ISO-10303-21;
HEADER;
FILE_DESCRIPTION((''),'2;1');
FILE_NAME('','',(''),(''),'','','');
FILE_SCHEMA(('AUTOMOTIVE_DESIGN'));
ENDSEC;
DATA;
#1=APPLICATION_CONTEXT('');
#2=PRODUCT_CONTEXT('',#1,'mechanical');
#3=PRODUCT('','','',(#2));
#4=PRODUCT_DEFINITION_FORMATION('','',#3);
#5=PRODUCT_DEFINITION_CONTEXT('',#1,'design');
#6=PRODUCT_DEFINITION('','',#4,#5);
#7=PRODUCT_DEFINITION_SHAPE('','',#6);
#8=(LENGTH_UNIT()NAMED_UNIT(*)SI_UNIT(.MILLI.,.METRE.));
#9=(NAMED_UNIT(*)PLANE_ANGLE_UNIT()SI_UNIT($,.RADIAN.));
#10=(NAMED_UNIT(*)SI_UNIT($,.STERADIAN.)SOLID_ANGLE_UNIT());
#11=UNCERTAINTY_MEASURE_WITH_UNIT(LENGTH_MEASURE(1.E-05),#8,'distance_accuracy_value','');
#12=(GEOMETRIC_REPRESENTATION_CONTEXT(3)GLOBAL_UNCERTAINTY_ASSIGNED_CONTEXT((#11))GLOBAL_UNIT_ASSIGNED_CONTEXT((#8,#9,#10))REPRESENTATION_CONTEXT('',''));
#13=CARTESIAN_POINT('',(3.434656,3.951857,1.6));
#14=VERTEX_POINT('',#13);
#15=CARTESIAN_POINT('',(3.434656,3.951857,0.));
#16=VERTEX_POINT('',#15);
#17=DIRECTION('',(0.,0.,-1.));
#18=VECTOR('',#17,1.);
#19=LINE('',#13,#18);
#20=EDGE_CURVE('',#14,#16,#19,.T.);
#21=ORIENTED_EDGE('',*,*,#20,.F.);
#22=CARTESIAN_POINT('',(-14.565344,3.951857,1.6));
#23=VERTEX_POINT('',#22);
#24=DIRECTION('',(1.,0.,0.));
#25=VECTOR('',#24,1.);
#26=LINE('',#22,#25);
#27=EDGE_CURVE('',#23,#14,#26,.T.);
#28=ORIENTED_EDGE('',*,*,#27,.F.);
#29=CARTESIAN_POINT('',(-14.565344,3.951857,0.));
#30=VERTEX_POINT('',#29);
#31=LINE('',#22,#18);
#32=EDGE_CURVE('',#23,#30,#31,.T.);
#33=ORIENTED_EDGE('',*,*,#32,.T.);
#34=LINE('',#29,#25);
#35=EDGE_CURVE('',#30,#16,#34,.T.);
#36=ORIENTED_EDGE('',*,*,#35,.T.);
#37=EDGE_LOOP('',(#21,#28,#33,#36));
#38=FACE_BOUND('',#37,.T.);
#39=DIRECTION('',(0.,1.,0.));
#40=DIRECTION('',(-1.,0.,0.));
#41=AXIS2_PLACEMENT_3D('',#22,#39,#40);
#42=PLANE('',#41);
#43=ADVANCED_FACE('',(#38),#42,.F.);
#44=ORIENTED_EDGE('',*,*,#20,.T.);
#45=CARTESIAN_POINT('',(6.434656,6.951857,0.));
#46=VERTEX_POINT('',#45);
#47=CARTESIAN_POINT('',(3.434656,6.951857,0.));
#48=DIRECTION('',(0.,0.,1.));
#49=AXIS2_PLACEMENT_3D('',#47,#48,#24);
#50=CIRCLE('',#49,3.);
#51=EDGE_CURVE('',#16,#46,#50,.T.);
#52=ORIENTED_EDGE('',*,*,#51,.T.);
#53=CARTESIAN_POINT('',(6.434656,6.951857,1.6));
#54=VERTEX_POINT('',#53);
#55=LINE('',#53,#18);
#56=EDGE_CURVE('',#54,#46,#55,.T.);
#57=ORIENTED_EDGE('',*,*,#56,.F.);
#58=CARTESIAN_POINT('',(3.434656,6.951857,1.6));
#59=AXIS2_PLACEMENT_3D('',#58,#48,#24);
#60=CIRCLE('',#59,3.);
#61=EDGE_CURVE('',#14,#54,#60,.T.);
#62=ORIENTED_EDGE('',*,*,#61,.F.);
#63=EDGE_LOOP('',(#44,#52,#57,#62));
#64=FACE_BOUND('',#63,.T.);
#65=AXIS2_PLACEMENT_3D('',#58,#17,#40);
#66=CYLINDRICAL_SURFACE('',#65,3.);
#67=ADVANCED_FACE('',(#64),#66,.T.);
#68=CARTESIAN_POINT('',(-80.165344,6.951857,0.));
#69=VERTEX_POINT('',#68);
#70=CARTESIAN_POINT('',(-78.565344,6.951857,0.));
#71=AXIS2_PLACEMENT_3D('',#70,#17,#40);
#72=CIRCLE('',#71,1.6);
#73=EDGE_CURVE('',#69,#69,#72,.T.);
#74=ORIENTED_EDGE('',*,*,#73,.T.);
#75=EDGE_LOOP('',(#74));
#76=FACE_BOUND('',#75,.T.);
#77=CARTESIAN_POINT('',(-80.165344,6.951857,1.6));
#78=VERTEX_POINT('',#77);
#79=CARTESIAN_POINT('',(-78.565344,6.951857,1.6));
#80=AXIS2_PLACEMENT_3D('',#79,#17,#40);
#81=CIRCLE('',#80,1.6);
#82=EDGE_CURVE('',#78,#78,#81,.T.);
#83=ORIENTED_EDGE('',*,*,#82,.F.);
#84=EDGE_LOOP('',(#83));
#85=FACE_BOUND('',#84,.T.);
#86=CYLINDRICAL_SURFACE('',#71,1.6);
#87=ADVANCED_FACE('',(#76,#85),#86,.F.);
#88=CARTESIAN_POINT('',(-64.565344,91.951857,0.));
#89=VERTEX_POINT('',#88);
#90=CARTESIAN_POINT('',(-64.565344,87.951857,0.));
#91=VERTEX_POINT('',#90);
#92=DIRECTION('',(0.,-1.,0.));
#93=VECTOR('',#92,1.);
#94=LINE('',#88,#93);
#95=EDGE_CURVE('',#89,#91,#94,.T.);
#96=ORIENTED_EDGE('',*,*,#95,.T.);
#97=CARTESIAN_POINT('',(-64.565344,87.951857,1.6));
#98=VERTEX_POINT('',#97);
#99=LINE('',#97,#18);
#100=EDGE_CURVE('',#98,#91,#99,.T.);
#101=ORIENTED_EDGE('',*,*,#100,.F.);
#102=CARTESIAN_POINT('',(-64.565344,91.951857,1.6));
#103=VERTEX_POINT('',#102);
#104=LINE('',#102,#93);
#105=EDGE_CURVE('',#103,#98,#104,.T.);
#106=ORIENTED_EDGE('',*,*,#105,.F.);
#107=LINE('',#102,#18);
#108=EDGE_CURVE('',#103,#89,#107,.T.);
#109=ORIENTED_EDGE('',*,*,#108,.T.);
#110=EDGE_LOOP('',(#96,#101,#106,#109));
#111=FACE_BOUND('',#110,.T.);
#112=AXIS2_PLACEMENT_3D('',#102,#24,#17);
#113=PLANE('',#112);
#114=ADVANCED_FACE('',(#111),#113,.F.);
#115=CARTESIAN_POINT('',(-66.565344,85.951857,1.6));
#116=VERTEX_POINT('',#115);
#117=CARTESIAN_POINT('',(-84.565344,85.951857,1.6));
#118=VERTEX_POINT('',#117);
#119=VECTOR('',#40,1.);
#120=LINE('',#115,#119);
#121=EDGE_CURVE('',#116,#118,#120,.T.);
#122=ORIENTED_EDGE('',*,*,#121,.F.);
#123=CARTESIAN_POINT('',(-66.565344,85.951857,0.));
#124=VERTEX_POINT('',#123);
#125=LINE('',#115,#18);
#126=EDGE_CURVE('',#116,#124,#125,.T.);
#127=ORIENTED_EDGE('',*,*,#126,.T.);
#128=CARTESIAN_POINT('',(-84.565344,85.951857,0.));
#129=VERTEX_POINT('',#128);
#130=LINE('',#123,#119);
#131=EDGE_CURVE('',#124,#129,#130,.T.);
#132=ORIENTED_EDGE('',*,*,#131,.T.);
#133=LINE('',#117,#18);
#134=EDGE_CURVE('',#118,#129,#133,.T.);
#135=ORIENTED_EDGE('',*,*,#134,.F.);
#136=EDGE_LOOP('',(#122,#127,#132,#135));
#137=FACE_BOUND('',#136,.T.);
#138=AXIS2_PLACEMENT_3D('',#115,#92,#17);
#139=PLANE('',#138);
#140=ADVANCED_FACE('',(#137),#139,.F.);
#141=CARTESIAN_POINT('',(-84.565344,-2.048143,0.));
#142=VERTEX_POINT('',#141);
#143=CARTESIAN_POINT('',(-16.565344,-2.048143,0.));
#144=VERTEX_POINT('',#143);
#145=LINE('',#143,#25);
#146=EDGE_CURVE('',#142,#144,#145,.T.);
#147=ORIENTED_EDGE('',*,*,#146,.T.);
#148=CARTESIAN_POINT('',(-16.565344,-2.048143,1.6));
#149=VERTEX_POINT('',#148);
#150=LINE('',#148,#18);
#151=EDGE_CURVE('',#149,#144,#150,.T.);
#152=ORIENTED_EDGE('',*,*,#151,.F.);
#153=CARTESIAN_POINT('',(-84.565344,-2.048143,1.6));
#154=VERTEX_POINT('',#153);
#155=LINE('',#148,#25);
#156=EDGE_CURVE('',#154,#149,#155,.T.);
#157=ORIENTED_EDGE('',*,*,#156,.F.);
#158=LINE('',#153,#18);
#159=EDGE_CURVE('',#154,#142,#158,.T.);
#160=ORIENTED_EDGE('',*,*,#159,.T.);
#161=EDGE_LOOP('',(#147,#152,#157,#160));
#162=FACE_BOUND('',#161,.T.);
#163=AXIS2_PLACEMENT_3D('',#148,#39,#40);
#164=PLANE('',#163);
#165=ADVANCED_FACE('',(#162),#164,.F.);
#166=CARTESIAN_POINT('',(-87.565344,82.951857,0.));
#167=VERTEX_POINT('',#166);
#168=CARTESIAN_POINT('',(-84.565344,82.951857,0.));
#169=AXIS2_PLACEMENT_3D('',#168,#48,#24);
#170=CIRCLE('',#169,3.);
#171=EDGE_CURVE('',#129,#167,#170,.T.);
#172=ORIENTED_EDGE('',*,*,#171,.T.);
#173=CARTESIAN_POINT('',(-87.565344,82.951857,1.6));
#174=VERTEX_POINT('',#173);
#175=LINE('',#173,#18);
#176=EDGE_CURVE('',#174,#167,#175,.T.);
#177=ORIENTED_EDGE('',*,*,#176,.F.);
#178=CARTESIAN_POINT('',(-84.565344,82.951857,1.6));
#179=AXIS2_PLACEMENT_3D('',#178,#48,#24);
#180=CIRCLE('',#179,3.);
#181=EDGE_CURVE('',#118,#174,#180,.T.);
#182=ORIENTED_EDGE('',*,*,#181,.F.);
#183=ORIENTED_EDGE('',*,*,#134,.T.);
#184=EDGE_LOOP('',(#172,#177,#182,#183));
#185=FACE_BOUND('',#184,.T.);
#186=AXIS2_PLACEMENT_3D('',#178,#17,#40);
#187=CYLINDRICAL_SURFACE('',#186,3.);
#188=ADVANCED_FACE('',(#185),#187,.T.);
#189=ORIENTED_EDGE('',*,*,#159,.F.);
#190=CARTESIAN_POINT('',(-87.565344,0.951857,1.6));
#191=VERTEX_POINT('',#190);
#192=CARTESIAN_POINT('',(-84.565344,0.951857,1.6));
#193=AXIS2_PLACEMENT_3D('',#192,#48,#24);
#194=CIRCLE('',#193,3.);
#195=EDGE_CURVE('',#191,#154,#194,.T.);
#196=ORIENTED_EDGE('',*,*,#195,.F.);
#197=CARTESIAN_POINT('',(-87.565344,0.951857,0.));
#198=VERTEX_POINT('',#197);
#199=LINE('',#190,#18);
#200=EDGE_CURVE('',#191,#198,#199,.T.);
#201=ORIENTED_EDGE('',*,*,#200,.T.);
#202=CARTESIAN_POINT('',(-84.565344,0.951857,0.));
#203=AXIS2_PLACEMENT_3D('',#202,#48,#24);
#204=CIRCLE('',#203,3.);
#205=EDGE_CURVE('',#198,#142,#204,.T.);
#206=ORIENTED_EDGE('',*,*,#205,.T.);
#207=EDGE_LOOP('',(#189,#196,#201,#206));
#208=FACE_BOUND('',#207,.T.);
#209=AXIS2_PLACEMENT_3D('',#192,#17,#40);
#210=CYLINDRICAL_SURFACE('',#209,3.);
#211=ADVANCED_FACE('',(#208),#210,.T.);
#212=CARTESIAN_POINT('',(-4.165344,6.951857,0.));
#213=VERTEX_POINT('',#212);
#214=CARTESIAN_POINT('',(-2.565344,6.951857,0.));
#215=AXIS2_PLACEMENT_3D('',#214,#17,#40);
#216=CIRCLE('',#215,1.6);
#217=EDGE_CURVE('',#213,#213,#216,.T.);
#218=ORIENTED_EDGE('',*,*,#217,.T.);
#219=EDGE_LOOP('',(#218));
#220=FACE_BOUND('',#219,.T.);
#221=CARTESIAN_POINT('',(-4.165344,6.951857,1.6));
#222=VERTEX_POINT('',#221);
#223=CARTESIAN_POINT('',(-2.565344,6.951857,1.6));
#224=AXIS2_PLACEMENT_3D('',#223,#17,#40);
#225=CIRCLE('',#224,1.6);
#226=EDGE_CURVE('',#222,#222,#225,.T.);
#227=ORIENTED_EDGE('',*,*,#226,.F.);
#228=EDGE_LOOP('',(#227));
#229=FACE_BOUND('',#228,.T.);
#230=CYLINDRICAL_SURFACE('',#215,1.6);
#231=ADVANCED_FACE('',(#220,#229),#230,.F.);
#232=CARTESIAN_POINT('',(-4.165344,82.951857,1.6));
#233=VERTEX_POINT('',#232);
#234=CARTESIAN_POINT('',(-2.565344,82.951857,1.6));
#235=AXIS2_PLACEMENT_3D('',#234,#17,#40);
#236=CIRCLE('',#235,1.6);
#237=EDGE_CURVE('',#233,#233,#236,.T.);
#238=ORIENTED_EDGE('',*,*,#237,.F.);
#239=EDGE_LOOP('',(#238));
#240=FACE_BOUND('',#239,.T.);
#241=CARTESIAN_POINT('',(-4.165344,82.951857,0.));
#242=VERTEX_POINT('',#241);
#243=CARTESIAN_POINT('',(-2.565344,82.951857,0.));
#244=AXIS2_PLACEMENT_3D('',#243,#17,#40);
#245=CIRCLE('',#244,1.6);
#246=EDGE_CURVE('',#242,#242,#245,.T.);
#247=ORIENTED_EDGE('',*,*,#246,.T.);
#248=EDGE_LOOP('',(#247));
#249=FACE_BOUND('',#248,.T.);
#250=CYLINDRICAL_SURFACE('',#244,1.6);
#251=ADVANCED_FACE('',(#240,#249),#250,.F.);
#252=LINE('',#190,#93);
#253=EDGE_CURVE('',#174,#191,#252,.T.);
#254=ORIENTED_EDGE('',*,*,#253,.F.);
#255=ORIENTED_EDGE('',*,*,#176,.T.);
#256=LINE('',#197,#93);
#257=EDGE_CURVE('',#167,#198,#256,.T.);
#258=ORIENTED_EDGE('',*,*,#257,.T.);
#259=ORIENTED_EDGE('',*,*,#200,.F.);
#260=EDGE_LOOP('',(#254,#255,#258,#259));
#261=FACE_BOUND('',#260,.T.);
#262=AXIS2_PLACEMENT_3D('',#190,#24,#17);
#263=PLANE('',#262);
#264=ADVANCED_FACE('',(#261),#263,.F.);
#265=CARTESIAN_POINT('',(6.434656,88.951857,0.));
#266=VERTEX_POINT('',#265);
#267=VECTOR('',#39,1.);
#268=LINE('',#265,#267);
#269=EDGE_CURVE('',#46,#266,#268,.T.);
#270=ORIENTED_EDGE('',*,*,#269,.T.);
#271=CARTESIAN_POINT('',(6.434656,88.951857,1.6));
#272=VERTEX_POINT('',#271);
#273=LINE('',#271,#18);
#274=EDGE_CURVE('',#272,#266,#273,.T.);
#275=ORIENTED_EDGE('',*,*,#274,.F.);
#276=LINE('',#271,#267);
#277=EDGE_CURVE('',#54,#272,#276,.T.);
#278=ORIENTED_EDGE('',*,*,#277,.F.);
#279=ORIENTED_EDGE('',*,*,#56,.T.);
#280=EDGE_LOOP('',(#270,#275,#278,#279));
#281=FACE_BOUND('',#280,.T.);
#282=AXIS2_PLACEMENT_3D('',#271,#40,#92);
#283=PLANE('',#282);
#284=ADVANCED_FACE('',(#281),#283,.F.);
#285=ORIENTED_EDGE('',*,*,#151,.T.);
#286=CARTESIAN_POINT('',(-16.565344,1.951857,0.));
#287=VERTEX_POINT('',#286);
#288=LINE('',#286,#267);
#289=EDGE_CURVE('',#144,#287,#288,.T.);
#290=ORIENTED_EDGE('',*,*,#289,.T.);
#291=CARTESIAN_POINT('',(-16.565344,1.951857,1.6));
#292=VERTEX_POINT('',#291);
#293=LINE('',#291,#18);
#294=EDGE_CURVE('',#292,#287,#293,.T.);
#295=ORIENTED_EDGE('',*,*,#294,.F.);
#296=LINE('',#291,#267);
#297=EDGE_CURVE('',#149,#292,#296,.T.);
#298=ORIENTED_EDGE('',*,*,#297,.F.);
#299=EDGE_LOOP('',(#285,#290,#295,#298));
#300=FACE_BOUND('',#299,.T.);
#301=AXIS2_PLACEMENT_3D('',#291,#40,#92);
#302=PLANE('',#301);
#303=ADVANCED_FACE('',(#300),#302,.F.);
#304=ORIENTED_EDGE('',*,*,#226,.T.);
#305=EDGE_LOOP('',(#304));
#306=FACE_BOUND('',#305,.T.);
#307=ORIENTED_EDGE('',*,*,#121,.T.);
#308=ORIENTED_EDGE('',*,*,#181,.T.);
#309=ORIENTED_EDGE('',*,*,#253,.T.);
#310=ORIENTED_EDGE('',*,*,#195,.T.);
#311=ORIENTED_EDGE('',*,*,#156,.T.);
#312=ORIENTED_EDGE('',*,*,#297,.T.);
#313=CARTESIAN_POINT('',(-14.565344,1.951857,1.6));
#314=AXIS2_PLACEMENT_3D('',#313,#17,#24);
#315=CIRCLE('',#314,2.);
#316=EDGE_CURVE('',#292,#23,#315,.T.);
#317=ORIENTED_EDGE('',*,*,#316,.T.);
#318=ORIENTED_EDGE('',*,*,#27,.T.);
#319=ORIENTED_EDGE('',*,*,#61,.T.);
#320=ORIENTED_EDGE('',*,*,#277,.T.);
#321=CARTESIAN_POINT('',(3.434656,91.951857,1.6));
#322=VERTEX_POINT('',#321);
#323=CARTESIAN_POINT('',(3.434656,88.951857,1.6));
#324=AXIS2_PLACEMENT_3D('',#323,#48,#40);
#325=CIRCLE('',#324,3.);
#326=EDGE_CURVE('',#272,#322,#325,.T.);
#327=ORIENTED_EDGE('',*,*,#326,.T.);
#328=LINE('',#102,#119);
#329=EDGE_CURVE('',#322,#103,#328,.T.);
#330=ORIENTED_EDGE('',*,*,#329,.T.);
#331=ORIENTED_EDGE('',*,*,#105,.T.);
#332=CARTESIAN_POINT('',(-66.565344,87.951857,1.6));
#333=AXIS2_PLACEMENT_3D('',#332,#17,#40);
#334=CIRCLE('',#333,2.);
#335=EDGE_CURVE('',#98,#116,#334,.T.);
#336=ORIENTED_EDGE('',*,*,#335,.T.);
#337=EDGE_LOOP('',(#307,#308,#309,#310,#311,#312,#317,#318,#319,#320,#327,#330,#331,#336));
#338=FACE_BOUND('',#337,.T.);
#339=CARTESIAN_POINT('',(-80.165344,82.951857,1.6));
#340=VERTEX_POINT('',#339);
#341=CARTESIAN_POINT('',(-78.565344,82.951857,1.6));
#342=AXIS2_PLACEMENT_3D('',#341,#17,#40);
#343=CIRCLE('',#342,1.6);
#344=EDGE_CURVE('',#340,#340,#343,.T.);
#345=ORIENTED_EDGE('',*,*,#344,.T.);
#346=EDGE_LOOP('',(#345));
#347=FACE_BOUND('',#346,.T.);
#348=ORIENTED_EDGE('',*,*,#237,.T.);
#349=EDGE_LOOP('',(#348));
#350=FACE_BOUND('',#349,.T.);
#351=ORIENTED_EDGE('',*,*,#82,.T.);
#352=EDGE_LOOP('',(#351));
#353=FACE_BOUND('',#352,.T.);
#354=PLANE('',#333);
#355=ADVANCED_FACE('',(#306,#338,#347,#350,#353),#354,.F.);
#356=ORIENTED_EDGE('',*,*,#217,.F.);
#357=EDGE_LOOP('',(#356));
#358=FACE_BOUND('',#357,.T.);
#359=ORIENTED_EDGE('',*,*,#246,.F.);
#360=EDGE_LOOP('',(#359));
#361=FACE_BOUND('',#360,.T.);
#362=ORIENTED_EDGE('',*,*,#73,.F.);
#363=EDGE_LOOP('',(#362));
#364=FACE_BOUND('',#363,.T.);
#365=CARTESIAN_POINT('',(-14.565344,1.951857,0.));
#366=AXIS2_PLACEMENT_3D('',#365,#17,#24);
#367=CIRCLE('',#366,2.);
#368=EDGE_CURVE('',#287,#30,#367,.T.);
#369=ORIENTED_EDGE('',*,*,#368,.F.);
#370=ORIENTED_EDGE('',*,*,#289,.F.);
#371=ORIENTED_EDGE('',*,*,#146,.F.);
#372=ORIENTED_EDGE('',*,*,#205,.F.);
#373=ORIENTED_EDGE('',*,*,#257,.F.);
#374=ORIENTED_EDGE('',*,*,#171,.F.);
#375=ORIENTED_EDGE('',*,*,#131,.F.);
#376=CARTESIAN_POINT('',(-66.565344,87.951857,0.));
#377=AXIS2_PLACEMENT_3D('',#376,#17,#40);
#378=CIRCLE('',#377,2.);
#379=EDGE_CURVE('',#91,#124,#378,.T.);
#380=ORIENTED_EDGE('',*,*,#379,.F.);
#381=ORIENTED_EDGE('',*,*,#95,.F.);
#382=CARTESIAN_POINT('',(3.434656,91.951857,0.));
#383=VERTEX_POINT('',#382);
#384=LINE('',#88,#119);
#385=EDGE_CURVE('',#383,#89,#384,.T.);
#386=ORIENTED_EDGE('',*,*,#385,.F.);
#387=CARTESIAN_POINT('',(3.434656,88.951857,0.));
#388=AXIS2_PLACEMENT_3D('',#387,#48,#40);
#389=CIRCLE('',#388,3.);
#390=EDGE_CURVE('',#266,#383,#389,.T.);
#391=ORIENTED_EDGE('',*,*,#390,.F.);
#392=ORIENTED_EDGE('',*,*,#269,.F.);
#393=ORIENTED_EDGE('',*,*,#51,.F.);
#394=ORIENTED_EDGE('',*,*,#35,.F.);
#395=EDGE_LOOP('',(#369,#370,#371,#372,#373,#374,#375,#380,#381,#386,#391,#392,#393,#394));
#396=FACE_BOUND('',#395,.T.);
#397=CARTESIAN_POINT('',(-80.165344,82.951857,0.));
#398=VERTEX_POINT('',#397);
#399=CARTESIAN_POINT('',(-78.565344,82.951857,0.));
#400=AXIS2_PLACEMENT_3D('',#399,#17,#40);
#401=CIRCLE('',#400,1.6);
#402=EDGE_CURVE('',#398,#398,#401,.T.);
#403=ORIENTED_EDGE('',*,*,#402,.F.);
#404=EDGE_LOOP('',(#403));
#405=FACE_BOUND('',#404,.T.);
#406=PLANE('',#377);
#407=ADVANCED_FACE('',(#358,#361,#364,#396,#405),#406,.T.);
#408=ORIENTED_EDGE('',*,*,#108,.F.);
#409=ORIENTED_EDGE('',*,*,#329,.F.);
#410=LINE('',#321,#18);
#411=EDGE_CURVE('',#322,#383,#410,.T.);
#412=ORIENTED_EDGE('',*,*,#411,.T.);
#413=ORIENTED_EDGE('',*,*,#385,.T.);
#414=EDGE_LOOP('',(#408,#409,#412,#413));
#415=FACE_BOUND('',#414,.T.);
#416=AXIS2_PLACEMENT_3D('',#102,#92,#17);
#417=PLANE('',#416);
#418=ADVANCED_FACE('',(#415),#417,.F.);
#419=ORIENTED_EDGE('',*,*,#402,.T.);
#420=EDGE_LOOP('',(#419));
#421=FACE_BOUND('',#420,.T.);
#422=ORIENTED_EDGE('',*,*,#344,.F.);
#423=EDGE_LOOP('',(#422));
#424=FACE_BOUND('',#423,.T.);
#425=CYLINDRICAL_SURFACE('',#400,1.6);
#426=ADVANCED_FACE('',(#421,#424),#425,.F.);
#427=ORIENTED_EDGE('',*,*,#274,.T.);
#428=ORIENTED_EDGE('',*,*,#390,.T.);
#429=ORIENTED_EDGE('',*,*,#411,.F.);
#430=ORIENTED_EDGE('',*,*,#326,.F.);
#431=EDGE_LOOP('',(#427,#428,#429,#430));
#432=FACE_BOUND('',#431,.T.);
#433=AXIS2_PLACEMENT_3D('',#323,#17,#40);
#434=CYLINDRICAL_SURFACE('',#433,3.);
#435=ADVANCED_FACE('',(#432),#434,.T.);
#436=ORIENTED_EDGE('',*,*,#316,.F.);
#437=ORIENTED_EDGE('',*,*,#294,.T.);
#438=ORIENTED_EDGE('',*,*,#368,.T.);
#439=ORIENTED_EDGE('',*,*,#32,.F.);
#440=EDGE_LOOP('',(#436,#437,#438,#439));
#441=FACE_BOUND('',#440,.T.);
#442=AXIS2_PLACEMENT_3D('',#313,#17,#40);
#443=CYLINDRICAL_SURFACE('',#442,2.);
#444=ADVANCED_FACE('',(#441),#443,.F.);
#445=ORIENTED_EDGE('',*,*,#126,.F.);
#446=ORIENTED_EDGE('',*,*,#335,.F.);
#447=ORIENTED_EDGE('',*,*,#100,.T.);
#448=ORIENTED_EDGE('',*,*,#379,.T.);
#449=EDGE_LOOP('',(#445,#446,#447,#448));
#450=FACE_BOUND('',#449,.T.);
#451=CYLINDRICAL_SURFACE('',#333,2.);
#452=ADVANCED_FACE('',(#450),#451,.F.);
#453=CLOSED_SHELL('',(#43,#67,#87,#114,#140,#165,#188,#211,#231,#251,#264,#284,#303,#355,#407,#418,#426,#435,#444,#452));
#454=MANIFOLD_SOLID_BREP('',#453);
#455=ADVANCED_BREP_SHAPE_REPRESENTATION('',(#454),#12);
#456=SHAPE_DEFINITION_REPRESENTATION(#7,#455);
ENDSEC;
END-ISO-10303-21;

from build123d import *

# Parameters (mm, degrees)
BOSS_EXTRUDE1_DEPTH        = 1.6
F_3_2_3_2_DIAMETER_HOLE3_D = 3.2


with BuildPart() as part:
    # Sketch1 → Boss-Extrude1 (new body)
    with BuildSketch(Plane.XY):
        with BuildLine():
            Line((-16.56534388, -2.04814307), (-84.56534388, -2.04814307))
            ThreePointArc((-84.56534388, -2.04814307), (-86.686664224, -1.169463413), (-87.56534388, 0.95185693))
            Line((-87.56534388, 0.95185693), (-87.56534388, 82.95185693))
            ThreePointArc((-87.56534388, 82.95185693), (-86.686664224, 85.073177274), (-84.56534388, 85.95185693))
            Line((-84.56534388, 85.95185693), (-66.56534388, 85.95185693))
            ThreePointArc((-66.56534388, 85.95185693), (-65.151130318, 86.537643368), (-64.56534388, 87.95185693))
            Line((-64.56534388, 87.95185693), (-64.56534388, 91.95185693))
            Line((-64.56534388, 91.95185693), (3.43465612, 91.95185693))
            ThreePointArc((3.43465612, 91.95185693), (5.555976464, 91.073177274), (6.43465612, 88.95185693))
            Line((6.43465612, 88.95185693), (6.43465612, 6.95185693))
            ThreePointArc((6.43465612, 6.95185693), (5.555976464, 4.830536587), (3.43465612, 3.95185693))
            Line((3.43465612, 3.95185693), (-14.56534388, 3.95185693))
            ThreePointArc((-14.56534388, 3.95185693), (-15.979557442, 3.366070492), (-16.56534388, 1.95185693))
            Line((-16.56534388, 1.95185693), (-16.56534388, -2.04814307))
        make_face()
    extrude(amount=BOSS_EXTRUDE1_DEPTH)

    # Ø3.2 (3.2) Diameter Hole3 (through all)
    with Locations(Plane(origin=(0, 0, 0), x_dir=(-1, 0, 0), z_dir=(0, 0, -1))):
        with Locations((78.56534388, 6.95185693), (78.56534388, 82.95185693), (2.56534388, 82.95185693), (2.56534388, 6.95185693)):
            Hole(F_3_2_3_2_DIAMETER_HOLE3_D / 2)


solid = part.part
